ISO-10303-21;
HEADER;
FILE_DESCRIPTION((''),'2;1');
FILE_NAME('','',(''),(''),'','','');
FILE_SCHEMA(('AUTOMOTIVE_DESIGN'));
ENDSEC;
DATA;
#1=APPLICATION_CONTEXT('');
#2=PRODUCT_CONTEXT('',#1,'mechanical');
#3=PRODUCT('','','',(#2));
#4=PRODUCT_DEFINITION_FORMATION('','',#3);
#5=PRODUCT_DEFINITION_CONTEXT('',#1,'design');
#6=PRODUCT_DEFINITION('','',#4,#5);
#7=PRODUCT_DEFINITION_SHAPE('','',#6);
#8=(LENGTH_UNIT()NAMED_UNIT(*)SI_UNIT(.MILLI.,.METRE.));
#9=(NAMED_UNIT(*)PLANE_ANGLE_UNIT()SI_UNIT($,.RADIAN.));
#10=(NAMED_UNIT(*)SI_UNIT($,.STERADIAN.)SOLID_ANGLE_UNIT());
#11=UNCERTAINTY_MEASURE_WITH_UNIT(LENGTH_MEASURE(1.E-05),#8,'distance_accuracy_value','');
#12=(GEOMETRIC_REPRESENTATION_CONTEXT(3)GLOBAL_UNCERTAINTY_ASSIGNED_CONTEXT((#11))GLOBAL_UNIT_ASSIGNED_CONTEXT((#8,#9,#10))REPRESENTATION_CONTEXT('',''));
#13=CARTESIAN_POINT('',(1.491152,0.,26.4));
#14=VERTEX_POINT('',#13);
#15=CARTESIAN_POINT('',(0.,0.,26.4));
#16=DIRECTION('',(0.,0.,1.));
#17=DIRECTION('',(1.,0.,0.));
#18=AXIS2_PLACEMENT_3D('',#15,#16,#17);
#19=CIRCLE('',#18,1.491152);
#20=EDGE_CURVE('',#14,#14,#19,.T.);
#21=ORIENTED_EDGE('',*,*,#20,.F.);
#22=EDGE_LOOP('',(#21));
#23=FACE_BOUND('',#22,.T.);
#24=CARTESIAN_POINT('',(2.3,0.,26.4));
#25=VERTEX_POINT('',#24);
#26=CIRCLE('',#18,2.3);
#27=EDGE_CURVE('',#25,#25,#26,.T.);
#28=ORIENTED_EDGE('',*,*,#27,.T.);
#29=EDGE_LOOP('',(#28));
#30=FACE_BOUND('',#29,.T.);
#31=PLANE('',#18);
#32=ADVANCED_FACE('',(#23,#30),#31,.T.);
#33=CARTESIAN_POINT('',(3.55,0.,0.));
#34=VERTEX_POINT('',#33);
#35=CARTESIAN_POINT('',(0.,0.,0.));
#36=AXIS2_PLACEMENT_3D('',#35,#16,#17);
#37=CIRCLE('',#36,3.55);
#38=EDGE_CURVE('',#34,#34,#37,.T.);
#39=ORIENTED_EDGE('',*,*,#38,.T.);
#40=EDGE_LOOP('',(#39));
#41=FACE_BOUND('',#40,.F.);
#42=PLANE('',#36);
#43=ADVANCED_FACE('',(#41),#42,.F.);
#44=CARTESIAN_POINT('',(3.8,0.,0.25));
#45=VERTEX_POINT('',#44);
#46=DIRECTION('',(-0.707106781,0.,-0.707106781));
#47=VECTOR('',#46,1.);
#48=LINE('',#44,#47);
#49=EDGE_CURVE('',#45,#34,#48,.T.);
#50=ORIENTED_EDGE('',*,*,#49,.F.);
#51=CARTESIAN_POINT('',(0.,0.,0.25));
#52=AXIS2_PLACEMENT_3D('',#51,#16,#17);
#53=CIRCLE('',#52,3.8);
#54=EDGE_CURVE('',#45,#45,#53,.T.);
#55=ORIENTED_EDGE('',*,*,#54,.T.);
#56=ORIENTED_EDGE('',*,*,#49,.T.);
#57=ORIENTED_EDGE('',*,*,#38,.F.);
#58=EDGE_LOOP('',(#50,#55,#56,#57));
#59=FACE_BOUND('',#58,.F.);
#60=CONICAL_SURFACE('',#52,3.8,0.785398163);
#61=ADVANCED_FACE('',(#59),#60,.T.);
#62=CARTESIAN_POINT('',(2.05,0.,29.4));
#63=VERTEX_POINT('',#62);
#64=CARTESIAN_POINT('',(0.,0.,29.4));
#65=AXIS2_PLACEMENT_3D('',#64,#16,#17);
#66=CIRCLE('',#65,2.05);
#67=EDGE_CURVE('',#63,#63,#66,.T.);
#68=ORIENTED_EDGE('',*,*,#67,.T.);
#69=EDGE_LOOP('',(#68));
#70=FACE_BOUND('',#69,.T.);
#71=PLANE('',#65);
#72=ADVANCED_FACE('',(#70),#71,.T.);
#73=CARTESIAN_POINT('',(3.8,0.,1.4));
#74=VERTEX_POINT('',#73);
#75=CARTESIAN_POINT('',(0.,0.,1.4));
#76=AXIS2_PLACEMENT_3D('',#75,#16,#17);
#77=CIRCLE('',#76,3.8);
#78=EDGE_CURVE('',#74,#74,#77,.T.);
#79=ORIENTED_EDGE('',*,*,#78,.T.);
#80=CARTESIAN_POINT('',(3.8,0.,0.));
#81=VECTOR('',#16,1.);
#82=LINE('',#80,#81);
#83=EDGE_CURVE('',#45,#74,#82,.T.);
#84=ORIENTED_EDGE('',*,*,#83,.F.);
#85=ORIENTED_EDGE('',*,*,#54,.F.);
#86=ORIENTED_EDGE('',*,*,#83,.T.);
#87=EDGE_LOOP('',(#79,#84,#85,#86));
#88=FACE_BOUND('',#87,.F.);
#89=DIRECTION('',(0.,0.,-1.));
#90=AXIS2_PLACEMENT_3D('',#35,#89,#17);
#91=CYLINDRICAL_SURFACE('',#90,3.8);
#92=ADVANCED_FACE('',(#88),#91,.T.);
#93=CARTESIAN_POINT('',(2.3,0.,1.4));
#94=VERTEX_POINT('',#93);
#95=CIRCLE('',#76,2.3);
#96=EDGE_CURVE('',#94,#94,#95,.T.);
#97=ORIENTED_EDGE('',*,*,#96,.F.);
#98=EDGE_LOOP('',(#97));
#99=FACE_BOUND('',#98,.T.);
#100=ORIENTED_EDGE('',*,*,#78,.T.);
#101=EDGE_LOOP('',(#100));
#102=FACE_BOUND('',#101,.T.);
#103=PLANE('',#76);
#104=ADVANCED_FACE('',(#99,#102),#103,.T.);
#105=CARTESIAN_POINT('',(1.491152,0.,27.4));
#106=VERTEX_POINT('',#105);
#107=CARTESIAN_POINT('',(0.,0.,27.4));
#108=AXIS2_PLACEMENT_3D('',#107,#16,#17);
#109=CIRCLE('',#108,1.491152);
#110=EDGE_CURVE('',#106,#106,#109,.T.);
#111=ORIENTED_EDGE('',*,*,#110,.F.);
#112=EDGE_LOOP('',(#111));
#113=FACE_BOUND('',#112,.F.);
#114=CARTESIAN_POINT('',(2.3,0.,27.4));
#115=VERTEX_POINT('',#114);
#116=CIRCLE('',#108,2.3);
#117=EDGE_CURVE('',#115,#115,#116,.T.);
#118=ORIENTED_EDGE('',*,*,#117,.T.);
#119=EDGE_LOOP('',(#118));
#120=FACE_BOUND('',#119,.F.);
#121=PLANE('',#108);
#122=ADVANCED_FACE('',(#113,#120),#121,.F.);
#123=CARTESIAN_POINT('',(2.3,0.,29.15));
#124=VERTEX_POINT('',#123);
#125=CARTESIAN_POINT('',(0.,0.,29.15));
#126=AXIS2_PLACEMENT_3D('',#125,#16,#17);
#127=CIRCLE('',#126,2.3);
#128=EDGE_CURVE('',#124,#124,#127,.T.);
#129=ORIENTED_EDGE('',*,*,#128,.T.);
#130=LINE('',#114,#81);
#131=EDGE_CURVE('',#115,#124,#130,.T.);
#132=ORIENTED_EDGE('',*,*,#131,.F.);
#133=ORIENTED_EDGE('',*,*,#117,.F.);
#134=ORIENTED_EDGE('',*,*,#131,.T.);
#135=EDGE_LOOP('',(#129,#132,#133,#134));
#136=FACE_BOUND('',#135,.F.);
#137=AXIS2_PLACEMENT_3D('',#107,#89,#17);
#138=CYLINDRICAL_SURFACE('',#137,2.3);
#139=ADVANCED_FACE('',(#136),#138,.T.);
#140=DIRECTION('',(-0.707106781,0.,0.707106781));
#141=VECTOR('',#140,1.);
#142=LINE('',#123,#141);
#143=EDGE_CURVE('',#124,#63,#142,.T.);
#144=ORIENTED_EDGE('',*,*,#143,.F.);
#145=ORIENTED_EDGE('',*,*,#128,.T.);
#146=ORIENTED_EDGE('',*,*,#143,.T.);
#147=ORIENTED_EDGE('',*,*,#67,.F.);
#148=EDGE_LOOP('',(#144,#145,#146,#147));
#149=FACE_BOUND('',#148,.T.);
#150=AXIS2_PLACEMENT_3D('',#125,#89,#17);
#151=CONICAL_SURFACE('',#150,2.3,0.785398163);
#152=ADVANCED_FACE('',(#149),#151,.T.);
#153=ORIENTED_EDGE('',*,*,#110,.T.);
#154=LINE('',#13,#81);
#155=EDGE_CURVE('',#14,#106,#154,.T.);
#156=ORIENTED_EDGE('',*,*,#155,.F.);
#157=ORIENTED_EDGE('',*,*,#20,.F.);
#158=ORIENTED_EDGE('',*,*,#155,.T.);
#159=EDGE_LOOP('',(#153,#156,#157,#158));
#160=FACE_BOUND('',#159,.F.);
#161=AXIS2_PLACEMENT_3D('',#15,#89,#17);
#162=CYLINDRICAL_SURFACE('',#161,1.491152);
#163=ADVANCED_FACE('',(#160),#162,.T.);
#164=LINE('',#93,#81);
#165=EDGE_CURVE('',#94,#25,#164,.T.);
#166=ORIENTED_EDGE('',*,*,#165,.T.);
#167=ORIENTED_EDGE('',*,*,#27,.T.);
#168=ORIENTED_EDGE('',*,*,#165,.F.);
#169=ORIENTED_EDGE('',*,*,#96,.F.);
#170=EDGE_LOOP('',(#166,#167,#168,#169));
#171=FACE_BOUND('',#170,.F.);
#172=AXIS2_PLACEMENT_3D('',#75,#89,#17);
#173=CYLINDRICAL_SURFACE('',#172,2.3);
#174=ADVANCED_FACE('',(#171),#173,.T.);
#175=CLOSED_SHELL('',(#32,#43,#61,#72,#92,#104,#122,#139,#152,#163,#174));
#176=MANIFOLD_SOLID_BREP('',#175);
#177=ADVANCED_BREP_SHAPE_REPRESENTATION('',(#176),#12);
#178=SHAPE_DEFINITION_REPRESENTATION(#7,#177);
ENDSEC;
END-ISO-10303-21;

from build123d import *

# Parameters (mm, degrees)
SKETCH_R     = 3.8
PAD_DEPTH    = 1.4
SKETCH001_R  = 2.3
PAD001_DEPTH = 25
SKETCH002_R  = 1.491152
PAD002_DEPTH = 1
SKETCH003_R  = 2.3
PAD003_DEPTH = 2
CHAMFER_SIZE = 0.25


with BuildPart() as part:
    # Sketch → Pad (new body)
    with BuildSketch(Plane.XY):
        Circle(SKETCH_R)
    extrude(amount=PAD_DEPTH)

    # Sketch001 (on Face3 of Pad) → Pad001 (join)
    with BuildSketch(Plane.XY.offset(1.4)):
        Circle(SKETCH001_R)
    extrude(amount=PAD001_DEPTH)

    # Sketch002 (on Face5 of Pad001) → Pad002 (join)
    with BuildSketch(Plane.XY.offset(26.4)):
        Circle(SKETCH002_R)
    extrude(amount=PAD002_DEPTH)

    # Sketch003 (on Face7 of Pad002) → Pad003 (join)
    with BuildSketch(Plane.XY.offset(27.4)):
        Circle(SKETCH003_R)
    extrude(amount=PAD003_DEPTH)

    # Chamfer
    chamfer_edges = [part.edges().sort_by_distance(p)[0] for p in [
        (-2.3, 0, 29.4),
        (-3.8, 0, 0),
    ]]
    chamfer(chamfer_edges, length=CHAMFER_SIZE)


solid = part.part
